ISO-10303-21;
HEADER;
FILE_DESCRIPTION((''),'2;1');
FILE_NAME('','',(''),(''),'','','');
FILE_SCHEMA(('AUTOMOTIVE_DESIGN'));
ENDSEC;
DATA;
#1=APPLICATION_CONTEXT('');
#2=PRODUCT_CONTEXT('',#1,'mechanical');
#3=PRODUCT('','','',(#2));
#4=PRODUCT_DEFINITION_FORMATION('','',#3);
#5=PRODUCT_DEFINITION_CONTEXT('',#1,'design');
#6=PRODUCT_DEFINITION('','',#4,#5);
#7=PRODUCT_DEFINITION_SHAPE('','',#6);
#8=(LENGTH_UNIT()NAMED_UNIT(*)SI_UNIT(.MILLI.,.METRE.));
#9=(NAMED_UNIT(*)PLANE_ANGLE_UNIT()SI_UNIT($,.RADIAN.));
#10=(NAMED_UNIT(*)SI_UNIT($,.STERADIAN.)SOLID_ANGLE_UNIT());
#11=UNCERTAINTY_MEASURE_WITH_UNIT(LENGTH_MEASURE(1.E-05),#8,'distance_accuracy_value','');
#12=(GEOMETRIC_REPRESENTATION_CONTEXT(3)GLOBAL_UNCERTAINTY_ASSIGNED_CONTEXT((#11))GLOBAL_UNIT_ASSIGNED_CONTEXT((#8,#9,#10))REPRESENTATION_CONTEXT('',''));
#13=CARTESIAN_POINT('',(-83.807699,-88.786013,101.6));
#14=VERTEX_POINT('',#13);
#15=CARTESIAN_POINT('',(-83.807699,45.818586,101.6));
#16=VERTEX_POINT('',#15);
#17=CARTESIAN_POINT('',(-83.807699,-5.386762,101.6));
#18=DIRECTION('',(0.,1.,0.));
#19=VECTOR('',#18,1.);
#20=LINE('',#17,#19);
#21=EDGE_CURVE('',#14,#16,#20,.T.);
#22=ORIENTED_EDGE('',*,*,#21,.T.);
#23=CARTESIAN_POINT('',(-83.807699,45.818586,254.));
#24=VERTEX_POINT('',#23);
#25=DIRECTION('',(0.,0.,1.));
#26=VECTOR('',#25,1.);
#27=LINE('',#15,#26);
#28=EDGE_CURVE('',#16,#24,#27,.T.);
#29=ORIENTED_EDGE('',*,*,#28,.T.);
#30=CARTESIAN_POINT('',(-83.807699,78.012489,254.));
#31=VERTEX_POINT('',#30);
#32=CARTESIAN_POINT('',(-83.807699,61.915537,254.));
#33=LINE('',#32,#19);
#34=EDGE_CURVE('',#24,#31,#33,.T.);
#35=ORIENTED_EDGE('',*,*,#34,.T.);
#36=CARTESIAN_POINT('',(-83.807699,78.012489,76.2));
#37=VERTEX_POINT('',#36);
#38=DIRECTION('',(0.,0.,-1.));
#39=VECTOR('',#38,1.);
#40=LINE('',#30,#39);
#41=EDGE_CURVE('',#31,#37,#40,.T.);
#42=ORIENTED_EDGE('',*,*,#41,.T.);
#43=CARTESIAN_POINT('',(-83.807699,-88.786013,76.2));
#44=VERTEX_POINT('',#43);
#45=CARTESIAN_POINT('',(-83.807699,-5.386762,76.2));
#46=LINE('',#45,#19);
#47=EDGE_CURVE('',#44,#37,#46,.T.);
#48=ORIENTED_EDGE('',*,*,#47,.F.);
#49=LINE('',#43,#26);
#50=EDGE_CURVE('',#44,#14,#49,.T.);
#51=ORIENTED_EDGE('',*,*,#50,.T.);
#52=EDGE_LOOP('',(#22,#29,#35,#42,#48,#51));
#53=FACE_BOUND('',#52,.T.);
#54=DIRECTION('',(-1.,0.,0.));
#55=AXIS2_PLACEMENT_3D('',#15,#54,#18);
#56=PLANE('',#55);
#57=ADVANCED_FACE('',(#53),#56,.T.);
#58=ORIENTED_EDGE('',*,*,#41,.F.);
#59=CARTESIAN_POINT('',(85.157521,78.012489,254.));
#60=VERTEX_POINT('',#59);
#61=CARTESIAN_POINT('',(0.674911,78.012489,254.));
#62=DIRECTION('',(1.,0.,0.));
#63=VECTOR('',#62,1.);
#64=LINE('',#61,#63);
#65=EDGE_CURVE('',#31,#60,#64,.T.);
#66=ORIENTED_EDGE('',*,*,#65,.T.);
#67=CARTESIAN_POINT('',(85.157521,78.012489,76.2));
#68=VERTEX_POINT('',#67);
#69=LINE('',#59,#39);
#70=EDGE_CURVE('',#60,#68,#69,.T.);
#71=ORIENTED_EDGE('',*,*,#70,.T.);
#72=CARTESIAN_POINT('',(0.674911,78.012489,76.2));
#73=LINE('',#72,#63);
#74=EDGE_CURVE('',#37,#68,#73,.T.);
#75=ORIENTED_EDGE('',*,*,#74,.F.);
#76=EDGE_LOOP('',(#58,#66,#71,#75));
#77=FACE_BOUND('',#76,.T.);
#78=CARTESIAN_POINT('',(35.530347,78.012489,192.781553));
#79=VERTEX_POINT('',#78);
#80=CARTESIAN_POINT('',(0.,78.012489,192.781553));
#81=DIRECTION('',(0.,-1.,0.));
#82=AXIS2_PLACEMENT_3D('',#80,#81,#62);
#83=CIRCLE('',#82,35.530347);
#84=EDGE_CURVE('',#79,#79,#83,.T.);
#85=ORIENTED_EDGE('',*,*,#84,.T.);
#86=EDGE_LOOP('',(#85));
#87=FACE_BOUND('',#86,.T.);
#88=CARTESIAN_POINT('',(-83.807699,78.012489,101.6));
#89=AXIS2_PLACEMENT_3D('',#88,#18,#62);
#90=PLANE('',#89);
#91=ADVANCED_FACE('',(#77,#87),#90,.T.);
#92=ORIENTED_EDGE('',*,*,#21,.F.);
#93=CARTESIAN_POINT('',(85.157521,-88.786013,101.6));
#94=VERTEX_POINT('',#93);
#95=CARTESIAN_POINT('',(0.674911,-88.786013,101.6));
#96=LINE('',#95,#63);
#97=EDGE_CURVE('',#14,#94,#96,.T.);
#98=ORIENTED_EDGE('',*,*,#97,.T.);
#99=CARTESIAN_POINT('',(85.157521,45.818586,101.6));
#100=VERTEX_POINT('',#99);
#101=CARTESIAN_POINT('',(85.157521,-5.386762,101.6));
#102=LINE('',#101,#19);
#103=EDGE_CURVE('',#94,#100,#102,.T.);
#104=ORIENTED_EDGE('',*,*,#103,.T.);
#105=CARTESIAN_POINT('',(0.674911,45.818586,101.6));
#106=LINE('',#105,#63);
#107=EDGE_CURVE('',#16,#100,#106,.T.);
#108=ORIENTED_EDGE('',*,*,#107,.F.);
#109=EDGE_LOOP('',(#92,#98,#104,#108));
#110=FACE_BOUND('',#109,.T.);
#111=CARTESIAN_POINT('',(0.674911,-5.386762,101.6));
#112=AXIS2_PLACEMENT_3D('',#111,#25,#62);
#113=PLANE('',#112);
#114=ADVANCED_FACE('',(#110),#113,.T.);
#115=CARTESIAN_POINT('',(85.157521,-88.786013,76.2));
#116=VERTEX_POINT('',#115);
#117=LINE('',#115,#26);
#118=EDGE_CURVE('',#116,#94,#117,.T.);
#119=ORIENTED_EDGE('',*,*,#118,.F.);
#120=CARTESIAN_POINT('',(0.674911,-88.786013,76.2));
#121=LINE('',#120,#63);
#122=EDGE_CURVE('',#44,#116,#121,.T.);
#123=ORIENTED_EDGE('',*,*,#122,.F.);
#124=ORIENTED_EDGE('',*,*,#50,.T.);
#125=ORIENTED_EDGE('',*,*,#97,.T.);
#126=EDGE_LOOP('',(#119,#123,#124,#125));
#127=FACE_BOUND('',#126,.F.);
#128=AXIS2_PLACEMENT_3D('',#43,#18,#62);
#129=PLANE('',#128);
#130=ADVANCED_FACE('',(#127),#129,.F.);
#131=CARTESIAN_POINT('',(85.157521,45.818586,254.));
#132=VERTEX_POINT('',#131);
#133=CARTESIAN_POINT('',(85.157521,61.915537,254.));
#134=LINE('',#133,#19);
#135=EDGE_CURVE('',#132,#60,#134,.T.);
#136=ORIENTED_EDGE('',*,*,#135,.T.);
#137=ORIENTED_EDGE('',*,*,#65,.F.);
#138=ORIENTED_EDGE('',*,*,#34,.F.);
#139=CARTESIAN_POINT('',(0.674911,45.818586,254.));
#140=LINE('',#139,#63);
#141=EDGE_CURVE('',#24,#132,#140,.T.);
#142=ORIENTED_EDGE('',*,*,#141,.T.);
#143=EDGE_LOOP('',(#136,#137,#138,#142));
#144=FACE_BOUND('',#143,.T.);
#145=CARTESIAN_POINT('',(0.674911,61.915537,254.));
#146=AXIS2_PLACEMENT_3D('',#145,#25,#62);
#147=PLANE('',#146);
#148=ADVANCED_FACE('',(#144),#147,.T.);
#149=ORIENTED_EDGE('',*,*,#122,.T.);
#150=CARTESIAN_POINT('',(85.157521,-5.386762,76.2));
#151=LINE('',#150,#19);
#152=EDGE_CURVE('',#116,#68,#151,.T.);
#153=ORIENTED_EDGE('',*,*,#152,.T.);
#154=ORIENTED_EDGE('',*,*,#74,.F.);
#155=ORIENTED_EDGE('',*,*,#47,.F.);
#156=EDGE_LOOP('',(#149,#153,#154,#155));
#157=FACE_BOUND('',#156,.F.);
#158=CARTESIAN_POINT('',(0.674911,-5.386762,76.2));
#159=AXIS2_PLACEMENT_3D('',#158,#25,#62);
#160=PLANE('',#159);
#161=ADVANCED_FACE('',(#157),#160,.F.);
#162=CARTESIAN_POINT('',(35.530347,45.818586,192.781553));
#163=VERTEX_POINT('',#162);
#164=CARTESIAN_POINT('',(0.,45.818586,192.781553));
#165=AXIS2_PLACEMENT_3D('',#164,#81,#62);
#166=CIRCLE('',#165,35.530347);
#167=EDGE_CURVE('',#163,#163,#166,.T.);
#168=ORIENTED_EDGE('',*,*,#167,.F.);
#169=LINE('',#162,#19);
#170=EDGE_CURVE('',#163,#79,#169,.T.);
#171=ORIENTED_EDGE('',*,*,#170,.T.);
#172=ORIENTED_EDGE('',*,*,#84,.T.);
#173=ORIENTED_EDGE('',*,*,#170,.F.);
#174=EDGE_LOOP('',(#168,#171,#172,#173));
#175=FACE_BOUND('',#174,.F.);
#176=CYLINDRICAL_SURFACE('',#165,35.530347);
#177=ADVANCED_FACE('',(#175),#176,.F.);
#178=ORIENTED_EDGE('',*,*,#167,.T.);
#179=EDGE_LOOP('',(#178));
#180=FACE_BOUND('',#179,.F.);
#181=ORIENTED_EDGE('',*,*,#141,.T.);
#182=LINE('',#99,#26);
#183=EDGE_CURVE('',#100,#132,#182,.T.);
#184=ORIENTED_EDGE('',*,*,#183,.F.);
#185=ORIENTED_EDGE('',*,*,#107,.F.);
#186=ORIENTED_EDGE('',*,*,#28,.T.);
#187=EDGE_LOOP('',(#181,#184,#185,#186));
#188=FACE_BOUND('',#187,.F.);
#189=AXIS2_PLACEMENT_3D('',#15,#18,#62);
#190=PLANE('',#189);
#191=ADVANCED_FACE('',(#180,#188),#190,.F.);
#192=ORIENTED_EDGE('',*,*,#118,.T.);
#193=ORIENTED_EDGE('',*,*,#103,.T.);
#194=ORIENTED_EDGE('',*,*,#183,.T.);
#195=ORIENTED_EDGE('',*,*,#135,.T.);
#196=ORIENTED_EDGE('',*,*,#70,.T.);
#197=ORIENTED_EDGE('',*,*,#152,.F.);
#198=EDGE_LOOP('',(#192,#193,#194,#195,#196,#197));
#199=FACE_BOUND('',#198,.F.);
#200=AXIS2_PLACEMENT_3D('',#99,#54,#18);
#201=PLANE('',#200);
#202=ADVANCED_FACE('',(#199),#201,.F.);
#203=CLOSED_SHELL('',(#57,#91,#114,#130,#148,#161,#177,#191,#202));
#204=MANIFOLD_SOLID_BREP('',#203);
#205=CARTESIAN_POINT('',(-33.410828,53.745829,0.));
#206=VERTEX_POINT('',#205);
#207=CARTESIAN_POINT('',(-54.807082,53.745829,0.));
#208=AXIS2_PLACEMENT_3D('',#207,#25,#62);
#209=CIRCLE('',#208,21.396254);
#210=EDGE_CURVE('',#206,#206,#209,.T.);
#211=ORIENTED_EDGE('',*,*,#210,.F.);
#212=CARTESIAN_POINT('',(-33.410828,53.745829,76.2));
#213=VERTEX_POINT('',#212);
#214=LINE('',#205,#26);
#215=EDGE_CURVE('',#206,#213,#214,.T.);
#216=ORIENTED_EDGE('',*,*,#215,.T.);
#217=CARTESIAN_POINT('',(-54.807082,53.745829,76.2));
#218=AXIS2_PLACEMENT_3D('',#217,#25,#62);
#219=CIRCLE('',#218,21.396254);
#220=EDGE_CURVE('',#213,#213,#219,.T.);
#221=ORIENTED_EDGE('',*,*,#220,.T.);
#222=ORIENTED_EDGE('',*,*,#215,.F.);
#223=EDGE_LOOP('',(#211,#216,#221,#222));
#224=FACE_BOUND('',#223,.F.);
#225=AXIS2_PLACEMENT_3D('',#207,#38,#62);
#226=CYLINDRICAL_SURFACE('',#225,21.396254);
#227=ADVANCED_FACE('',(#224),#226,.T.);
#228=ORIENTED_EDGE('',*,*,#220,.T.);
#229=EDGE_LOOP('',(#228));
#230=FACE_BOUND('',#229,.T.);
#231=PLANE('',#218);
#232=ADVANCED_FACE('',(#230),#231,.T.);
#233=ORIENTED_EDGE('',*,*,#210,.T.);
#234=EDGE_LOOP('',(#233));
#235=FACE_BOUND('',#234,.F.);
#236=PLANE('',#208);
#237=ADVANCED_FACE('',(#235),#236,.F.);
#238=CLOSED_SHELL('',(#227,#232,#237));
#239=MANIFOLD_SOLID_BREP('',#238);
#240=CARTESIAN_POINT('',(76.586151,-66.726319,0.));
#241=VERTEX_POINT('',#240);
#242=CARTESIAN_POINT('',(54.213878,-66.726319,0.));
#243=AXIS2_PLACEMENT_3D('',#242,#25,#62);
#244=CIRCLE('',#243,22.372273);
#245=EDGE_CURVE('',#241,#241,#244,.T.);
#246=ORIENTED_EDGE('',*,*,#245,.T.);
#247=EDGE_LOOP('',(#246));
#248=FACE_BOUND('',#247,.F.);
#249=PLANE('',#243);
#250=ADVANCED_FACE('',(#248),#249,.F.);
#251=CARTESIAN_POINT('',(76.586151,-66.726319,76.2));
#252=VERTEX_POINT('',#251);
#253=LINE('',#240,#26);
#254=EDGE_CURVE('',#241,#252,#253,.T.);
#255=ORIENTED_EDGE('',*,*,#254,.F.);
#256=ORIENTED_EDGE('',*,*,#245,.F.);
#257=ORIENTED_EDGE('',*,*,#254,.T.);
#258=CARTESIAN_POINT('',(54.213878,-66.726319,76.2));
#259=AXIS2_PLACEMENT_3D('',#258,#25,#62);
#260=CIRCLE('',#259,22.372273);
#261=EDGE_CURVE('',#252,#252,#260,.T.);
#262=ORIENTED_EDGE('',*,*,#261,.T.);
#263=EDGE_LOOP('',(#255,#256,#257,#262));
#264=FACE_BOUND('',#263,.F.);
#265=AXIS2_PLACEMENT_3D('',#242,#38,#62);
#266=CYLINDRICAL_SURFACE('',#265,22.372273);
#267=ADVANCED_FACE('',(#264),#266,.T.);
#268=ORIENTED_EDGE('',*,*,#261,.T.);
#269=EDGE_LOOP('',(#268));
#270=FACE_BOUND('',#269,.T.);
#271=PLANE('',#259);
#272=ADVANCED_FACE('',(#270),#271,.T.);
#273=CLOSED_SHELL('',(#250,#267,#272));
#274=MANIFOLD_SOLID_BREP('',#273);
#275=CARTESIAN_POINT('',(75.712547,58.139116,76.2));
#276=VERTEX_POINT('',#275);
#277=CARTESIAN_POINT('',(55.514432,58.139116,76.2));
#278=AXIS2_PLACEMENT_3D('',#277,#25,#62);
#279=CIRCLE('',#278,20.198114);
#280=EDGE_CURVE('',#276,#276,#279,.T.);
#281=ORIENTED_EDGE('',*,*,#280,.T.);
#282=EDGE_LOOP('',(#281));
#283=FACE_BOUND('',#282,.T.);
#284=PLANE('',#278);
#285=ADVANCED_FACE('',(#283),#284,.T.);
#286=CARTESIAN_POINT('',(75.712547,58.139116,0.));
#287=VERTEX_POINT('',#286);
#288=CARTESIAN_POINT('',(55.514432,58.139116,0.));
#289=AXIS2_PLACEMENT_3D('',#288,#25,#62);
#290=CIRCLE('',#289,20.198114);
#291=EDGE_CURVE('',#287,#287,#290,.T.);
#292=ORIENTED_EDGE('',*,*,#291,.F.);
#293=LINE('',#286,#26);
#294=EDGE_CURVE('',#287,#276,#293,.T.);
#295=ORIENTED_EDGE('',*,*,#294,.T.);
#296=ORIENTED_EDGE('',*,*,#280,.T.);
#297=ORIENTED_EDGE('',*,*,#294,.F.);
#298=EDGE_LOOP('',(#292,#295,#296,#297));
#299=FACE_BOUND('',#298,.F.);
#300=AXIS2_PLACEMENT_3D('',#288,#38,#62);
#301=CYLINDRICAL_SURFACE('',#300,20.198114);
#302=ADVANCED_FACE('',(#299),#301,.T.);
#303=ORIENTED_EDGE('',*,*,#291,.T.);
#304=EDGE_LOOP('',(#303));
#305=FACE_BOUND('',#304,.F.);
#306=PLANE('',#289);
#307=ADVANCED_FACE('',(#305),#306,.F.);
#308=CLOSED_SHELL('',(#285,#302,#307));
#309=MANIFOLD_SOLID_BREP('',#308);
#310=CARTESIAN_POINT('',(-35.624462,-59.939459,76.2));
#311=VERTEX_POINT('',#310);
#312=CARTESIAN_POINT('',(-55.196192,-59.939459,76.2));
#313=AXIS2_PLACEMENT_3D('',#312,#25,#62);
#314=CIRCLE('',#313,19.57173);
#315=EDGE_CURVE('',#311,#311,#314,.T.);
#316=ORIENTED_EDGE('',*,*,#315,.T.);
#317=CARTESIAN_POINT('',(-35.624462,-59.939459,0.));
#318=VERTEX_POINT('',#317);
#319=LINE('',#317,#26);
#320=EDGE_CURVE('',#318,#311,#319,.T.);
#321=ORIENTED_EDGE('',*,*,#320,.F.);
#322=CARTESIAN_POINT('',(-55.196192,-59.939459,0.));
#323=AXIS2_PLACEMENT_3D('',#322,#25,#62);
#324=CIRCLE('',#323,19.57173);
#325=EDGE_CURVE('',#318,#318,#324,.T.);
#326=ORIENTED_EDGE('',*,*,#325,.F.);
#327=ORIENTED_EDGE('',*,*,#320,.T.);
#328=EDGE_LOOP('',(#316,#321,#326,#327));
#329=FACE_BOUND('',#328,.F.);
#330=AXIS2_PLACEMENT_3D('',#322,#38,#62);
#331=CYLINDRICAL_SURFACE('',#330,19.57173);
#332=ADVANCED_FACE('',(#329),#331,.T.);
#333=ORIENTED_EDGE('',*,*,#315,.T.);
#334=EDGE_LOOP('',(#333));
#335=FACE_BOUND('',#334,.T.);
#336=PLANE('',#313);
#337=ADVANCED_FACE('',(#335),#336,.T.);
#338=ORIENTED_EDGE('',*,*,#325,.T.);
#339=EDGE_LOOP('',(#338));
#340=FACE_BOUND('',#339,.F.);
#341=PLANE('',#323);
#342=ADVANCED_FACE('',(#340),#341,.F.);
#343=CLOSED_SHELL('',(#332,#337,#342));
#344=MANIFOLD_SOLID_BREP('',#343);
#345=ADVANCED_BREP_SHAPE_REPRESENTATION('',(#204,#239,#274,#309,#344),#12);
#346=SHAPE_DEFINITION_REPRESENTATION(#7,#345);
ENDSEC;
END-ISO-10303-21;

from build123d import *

# Parameters (mm, degrees)
F0_R     = 22.3722727972
F1_DEPTH = 76.2
F0_R_2   = 20.1981142989
F0_R_3   = 21.3962537525
F0_R_4   = 19.571730167
F2_W     = 168.9652204514
F2_H     = 166.7985022068
F3_DEPTH = 25.4
F4_W     = 168.9652204514
F4_H     = 32.19390288
F5_DEPTH = 152.4
F6_R     = 35.5303474838
F7_DEPTH = 101.6


with BuildPart() as f1:
    # F0 (on Top) → F1 (new body)
    with BuildSketch(Plane.XY):
        with Locations((54.2138777673, -66.7263194919)):
            Circle(F0_R)
    extrude(amount=F1_DEPTH)


with BuildPart() as f1b:
    # F0 (on Top) → F1, piece 2 (new body)
    with BuildSketch(Plane.XY):
        with Locations((55.5144324899, 58.139115572)):
            Circle(F0_R_2)
    extrude(amount=F1_DEPTH)


with BuildPart() as f1c:
    # F0 (on Top) → F1, piece 3 (new body)
    with BuildSketch(Plane.XY):
        with Locations((-54.8070818186, 53.7458285689)):
            Circle(F0_R_3)
    extrude(amount=F1_DEPTH)


with BuildPart() as f1d:
    # F0 (on Top) → F1, piece 4 (new body)
    with BuildSketch(Plane.XY):
        with Locations((-55.1961921155, -59.9394589663)):
            Circle(F0_R_4)
    extrude(amount=F1_DEPTH)


with BuildPart() as f3:
    # F2 (on face) → F3 (new body)
    with BuildSketch(Plane.XY.offset(76.2)):
        with Locations((0.6749108434, -5.386762321)):
            Rectangle(F2_W, F2_H)
    extrude(amount=F3_DEPTH)

    # F4 (on face) → F5 (join)
    with BuildSketch(Plane.XY.offset(101.6)):
        with Locations((0.6749108434, 61.9155373424)):
            Rectangle(F4_W, F4_H)
    extrude(amount=F5_DEPTH)

    # F6 (on face) → F7 (cut)
    with BuildSketch(Plane.XZ.offset(-45.8185859025)):
        with Locations((0, 192.7815526724)):
            Circle(F6_R)
    extrude(amount=-F7_DEPTH, mode=Mode.SUBTRACT)


solid = Compound([f1.part, f1b.part, f1c.part, f1d.part, f3.part])
